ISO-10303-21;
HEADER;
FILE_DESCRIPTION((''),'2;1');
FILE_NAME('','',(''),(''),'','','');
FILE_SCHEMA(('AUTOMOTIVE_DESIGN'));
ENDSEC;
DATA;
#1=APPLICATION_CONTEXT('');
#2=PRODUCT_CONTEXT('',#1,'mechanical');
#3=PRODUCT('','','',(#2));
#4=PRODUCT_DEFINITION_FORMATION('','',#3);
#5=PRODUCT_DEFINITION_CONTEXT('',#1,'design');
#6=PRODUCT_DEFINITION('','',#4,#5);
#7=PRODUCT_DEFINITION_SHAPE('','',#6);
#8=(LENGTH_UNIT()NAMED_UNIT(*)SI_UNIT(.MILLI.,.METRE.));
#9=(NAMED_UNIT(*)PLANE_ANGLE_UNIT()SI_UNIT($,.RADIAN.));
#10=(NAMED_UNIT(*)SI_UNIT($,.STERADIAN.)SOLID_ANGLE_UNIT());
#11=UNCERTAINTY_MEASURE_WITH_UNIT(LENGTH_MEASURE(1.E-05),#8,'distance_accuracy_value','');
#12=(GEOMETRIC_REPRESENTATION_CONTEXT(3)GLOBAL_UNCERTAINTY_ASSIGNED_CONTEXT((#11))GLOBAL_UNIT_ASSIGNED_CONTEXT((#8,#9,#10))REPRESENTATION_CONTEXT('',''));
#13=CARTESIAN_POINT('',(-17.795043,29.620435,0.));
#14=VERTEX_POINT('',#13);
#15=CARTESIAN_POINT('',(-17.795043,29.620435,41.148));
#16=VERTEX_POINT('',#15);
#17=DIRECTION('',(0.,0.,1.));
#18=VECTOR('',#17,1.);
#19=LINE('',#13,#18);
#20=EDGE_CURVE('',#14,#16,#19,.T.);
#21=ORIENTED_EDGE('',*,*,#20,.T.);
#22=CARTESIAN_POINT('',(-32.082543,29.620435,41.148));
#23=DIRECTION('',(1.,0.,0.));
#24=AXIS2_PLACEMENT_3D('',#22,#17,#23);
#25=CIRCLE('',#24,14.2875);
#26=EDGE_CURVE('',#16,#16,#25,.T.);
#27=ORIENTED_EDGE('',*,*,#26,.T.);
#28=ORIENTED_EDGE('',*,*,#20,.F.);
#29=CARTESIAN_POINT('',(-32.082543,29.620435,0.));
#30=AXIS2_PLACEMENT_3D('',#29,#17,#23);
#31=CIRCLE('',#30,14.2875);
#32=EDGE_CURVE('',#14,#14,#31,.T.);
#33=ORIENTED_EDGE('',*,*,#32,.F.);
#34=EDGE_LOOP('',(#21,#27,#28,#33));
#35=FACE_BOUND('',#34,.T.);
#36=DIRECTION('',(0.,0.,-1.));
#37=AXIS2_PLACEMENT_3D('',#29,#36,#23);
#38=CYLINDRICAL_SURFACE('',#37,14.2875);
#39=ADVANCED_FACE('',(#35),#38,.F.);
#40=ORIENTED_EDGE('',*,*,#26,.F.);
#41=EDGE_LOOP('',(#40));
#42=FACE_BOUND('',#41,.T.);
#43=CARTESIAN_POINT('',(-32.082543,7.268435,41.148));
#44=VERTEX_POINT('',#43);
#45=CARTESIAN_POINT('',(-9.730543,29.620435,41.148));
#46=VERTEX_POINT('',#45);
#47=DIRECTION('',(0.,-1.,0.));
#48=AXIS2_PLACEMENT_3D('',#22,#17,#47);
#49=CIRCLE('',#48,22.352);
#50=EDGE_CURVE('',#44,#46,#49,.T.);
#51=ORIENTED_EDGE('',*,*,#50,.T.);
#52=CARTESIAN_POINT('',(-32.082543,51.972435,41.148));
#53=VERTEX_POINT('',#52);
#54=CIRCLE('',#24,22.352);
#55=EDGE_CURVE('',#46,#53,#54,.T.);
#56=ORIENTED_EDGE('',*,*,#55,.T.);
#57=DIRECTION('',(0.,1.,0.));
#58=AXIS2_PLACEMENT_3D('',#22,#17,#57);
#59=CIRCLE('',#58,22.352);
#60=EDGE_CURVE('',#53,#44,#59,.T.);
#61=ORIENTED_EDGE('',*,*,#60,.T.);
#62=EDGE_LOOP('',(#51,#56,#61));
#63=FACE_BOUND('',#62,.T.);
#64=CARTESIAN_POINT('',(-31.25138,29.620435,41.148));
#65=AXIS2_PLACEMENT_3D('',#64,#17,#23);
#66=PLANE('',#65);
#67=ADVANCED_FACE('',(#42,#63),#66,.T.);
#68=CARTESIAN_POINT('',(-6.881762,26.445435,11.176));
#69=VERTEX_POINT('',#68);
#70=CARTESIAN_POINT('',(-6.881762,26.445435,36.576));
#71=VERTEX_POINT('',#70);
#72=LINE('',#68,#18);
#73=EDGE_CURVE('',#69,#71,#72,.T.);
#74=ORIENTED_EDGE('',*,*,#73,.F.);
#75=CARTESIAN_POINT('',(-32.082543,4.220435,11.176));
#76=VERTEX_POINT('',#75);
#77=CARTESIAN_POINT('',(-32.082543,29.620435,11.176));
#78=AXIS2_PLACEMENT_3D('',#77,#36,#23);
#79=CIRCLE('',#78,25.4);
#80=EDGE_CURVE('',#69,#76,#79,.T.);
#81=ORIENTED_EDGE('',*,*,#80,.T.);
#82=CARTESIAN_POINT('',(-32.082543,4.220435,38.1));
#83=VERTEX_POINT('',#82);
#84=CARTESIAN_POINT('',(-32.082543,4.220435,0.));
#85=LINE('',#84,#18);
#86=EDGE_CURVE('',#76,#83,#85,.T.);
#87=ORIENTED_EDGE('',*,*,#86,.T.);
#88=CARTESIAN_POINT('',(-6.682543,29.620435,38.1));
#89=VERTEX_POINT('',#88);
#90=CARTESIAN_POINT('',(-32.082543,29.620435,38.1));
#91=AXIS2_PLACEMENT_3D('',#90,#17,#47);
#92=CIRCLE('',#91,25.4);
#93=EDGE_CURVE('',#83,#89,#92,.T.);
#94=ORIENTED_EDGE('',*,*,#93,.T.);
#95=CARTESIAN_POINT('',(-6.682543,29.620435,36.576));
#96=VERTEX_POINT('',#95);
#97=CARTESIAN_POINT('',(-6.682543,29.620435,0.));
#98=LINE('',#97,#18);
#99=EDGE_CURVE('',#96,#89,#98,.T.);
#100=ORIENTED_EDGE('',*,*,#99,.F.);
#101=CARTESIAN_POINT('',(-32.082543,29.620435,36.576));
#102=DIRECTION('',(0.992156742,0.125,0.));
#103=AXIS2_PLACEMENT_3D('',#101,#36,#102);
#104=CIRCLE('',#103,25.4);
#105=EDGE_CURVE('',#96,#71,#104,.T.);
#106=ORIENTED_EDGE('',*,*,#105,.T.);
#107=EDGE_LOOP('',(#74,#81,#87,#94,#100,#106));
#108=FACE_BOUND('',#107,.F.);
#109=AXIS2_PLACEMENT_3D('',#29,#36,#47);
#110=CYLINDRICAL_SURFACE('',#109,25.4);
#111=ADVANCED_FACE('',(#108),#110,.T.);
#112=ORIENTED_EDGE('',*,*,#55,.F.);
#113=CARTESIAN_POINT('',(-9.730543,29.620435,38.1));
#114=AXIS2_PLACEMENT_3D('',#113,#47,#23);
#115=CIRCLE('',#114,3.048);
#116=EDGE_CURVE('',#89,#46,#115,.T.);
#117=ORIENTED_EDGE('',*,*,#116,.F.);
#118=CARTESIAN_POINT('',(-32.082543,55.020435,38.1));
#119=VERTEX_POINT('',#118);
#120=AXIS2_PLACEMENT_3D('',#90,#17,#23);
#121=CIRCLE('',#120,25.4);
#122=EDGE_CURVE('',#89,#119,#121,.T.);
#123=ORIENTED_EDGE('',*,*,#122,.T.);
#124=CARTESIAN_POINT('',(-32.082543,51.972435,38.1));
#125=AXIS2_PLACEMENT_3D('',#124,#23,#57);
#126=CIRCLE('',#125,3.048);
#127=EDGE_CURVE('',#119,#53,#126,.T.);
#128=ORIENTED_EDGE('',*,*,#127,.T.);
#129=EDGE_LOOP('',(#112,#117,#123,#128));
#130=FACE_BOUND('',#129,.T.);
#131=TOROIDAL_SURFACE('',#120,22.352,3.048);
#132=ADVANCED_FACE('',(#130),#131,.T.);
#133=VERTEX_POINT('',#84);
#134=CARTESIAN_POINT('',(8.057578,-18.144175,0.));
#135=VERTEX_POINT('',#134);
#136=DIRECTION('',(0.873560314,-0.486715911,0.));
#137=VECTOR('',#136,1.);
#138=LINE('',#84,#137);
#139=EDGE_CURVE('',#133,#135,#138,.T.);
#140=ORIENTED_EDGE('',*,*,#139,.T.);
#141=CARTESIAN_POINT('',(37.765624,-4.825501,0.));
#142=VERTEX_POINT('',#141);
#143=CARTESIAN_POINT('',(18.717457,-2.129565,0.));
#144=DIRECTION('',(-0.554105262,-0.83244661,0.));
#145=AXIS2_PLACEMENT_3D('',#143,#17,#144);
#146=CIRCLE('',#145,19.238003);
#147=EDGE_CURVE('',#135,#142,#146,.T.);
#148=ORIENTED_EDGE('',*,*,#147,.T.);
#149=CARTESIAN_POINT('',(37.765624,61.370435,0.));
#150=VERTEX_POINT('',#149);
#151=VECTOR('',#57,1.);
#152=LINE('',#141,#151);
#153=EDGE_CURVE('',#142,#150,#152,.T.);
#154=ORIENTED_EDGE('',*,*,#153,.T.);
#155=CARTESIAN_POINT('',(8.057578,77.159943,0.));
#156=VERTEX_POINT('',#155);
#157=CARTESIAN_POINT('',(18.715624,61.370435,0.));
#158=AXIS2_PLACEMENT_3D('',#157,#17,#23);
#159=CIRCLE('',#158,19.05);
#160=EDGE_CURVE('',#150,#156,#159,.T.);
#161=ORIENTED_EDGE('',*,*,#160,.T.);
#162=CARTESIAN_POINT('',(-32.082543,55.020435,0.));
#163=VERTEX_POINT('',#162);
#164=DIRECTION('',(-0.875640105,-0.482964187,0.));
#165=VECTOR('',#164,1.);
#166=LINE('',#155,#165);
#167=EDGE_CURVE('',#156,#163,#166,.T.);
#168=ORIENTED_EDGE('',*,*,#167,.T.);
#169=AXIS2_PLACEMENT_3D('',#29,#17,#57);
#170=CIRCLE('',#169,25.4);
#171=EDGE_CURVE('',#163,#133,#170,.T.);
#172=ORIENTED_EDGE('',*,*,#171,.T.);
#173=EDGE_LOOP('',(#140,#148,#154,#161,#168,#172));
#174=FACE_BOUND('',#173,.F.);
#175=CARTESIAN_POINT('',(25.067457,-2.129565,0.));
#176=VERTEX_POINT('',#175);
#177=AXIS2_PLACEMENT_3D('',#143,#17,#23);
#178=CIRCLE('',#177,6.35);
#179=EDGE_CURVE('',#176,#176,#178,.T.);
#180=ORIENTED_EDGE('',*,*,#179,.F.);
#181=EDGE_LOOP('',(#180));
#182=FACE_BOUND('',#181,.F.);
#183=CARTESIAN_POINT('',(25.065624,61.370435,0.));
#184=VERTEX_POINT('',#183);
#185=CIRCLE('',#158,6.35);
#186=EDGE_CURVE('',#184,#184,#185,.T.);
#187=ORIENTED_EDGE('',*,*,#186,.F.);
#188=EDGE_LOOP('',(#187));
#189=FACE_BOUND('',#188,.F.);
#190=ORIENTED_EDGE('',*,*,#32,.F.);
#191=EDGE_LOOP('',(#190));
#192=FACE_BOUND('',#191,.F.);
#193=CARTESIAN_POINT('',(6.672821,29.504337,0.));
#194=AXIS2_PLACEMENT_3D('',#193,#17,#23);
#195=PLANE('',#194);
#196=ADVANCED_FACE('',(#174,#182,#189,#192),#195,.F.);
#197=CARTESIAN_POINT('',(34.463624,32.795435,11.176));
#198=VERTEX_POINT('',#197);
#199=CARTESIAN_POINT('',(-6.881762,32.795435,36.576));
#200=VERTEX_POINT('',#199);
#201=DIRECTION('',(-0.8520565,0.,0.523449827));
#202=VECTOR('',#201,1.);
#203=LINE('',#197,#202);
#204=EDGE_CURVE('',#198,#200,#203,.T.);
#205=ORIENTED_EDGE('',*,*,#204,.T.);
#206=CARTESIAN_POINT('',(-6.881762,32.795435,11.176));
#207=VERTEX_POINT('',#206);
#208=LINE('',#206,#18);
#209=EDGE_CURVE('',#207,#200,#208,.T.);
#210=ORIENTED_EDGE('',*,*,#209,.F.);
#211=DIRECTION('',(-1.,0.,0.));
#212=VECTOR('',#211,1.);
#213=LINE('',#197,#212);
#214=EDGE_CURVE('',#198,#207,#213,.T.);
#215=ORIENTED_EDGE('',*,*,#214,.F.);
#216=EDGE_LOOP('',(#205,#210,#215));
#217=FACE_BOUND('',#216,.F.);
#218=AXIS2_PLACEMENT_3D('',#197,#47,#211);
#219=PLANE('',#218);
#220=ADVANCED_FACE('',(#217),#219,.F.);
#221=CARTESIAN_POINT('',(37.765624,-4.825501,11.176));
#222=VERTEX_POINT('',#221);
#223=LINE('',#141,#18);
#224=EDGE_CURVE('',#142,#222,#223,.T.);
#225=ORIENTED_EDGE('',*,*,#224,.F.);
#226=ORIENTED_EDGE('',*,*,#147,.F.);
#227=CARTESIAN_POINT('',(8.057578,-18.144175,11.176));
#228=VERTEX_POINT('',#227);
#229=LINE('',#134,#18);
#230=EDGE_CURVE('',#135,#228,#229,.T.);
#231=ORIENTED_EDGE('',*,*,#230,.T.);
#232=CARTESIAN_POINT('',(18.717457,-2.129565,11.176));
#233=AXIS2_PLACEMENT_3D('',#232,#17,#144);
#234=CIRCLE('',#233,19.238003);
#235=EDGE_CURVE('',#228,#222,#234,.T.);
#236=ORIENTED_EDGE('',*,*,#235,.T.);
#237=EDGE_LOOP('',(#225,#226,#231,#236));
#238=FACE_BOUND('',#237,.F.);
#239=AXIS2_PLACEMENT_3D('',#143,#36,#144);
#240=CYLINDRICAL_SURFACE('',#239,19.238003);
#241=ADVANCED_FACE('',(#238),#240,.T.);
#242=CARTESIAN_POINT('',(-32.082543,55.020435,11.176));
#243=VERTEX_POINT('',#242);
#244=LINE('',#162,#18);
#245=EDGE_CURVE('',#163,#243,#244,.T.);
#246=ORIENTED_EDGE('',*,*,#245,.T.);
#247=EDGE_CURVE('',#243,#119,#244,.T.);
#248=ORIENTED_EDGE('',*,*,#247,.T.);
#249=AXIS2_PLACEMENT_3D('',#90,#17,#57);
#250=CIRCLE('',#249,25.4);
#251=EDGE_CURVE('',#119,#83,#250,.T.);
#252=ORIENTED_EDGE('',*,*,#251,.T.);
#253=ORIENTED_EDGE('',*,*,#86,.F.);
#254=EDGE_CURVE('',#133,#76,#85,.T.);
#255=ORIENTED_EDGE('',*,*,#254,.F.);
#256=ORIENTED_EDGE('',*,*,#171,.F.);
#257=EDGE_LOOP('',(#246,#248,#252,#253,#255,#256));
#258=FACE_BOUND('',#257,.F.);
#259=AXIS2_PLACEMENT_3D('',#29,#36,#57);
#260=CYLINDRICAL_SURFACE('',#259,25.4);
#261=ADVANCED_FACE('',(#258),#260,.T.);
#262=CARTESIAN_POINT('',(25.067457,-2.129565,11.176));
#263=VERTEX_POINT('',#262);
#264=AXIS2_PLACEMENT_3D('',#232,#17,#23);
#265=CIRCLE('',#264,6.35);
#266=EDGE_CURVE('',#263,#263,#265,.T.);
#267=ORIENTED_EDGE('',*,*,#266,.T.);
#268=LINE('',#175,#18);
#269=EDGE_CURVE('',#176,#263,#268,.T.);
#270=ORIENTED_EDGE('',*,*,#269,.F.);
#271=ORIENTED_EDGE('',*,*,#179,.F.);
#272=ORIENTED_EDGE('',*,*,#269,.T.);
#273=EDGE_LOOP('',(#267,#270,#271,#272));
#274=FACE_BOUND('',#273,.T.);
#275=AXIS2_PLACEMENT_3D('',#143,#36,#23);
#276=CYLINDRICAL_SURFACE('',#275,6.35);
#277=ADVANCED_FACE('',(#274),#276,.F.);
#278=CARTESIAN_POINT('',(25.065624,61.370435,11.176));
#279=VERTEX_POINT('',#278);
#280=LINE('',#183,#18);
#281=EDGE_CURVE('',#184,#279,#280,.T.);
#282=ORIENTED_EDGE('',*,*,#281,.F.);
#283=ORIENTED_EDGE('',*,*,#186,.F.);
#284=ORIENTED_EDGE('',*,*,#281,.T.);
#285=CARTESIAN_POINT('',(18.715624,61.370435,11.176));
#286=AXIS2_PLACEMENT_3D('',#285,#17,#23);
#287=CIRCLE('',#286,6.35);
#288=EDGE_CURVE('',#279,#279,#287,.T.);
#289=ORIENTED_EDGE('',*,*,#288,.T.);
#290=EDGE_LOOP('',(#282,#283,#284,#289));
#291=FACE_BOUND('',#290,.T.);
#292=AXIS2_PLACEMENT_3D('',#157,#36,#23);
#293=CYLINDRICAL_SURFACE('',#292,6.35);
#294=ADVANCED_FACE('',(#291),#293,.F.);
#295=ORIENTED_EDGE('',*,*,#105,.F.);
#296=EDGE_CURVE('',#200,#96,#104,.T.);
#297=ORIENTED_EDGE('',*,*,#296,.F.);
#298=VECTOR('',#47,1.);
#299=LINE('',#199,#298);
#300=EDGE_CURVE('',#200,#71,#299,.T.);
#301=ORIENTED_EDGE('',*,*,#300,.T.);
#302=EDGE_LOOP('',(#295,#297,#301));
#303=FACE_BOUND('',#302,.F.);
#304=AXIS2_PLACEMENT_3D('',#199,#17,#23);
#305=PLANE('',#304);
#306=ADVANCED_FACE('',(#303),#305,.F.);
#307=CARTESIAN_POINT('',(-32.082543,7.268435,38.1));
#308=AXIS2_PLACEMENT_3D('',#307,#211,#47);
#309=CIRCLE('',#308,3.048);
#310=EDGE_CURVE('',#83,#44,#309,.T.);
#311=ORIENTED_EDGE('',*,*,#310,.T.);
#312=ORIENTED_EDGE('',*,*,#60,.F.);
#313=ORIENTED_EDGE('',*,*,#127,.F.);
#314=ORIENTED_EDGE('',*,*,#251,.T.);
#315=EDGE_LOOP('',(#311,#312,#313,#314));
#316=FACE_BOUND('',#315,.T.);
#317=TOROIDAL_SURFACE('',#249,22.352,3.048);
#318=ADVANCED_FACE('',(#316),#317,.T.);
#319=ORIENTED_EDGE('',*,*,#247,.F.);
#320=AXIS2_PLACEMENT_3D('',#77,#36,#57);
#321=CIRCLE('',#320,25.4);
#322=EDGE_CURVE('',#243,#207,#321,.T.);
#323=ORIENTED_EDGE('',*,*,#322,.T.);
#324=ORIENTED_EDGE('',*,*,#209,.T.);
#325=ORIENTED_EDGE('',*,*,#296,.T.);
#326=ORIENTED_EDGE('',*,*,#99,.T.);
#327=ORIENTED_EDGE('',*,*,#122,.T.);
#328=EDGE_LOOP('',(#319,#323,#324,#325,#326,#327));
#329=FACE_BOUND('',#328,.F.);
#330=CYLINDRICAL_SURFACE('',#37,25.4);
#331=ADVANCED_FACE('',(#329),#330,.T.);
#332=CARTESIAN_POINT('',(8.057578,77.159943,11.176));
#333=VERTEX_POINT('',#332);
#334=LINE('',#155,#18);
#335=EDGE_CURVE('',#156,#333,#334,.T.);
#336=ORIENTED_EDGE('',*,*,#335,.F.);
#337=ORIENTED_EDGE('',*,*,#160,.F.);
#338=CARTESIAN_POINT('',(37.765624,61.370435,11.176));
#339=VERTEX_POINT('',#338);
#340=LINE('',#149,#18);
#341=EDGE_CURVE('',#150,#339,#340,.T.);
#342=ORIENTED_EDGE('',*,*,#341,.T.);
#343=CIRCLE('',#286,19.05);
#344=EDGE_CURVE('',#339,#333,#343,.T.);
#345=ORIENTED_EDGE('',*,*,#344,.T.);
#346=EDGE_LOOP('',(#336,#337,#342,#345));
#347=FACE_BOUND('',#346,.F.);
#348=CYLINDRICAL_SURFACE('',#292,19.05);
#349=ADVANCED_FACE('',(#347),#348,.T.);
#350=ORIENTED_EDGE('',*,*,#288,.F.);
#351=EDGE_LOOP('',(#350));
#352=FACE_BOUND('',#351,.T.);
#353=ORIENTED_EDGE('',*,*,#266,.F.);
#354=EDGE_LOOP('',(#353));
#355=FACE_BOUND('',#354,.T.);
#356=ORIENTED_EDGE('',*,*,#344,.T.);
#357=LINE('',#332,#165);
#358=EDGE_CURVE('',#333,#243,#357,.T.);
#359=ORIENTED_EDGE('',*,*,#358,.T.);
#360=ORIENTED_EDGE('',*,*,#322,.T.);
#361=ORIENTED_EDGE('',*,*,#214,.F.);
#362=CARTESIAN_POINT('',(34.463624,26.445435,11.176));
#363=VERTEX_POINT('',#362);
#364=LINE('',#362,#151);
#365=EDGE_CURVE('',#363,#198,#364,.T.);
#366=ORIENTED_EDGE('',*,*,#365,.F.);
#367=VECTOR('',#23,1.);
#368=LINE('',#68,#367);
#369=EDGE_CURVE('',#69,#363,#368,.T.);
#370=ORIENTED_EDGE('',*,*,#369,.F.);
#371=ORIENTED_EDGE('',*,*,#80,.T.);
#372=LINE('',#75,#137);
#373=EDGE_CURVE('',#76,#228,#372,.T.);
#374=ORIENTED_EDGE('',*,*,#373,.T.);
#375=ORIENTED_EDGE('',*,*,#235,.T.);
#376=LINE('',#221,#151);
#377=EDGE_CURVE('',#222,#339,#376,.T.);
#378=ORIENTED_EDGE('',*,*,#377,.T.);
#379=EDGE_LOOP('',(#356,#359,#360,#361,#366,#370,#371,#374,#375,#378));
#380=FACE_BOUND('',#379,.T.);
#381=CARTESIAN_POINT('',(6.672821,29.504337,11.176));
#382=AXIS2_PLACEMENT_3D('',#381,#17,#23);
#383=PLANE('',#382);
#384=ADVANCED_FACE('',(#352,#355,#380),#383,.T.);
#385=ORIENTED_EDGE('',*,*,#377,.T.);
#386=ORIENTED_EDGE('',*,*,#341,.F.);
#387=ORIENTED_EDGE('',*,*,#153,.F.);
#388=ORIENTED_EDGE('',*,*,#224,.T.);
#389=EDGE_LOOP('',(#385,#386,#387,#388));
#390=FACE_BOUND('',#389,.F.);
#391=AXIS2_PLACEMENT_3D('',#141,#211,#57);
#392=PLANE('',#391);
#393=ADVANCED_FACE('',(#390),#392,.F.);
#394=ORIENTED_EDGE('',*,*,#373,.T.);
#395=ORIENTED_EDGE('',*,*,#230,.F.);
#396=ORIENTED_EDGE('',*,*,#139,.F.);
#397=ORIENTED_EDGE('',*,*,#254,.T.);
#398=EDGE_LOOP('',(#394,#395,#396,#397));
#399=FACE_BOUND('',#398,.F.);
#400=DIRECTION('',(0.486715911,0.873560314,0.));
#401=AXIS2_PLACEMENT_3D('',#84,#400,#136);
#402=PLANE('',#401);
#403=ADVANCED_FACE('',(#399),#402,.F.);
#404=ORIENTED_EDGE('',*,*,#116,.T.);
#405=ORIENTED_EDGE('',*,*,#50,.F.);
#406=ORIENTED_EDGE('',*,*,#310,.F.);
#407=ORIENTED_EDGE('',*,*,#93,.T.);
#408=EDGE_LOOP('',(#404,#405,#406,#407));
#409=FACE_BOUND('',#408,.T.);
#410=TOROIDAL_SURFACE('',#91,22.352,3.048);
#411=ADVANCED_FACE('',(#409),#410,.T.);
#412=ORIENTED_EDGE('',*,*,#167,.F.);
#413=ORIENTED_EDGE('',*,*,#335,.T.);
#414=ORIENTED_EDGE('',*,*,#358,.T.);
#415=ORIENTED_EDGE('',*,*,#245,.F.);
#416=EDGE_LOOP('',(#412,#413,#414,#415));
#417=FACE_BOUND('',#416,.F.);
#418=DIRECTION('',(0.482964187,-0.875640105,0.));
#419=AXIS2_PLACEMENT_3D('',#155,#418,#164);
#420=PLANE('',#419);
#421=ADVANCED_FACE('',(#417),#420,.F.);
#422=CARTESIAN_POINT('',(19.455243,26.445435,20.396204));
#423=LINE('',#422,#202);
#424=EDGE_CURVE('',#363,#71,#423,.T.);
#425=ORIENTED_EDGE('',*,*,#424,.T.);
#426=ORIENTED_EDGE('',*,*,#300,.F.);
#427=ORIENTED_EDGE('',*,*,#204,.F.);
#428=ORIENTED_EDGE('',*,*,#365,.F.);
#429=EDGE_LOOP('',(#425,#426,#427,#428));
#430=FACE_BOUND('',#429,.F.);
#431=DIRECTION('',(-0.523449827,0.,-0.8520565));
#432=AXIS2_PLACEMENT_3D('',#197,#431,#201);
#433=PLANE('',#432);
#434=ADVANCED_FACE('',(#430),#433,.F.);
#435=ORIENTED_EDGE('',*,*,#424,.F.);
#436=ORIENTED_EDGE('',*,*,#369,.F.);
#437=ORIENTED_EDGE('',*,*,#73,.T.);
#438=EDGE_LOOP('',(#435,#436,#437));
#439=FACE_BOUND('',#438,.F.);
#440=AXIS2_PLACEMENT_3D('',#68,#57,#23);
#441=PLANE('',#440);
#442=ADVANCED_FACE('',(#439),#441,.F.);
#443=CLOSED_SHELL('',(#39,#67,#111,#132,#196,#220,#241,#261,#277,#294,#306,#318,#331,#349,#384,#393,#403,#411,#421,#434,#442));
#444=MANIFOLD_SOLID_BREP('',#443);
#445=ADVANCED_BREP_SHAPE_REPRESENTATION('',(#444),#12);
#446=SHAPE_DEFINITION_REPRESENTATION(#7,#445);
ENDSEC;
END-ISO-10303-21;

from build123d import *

# Parameters (mm, degrees)
F0_R     = 14.2875
F1_DEPTH = 41.148
F0_R_2   = 6.35
F2_DEPTH = 11.176
F3_R     = 3.048
F5_DEPTH = 25.4
F7_DEPTH = 54.1640026378


with BuildPart() as f1:
    # F0 (on Top) → F1 (new body)
    with BuildSketch(Plane.XY):
        with BuildLine():
            ThreePointArc((-32.0825431228, 4.2204351945), (-14.1220308807, 11.6599229523), (-6.6825431228, 29.6204351945))
            ThreePointArc((-6.6825431228, 29.6204351945), (-14.1220308807, 47.5809474366), (-32.0825431228, 55.0204351945))
            ThreePointArc((-32.0825431228, 55.0204351945), (-57.4825431228, 29.6204351945), (-32.0825431228, 4.2204351945))
        make_face()
        with Locations((-32.0825431228, 29.6204351945)):
            Circle(F0_R, mode=Mode.SUBTRACT)
    extrude(amount=F1_DEPTH)

    # F0 (on Top) → F2 (join)
    with BuildSketch(Plane.XY):
        with BuildLine():
            ThreePointArc((-32.0825431228, 55.0204351945), (-14.1220308807, 47.5809474366), (-6.6825431228, 29.6204351945))
            ThreePointArc((-6.6825431228, 29.6204351945), (-14.1220308807, 11.6599229523), (-32.0825431228, 4.2204351945))
            Line((-32.0825431228, 4.2204351945), (8.057578387, -18.1441748871))
            ThreePointArc((8.057578387, -18.1441748871), (26.5875021064, -19.6841406643), (37.7656240054, -4.8255014786))
            Line((37.7656240054, -4.8255014786), (37.7656240054, 61.3704351945))
            ThreePointArc((37.7656240054, 61.3704351945), (27.6561701568, 78.1921216294), (8.057578387, 77.159943217))
            Line((8.057578387, 77.159943217), (-32.0825431228, 55.0204351945))
        make_face()
        with Locations((18.7174568772, -2.1295648055)):
            Circle(F0_R_2, mode=Mode.SUBTRACT)
        with Locations((18.7156240054, 61.3704351945)):
            Circle(F0_R_2, mode=Mode.SUBTRACT)
    extrude(amount=F2_DEPTH)

    # F3
    f3_edges = [f1.edges().sort_by_distance(p)[0] for p in [
        (-32.082543, 4.220435, 41.148),
    ]]
    fillet(f3_edges, radius=F3_R)

    # F4 (on face) → F5 (join)
    with BuildSketch(Plane.XY.offset(11.176)):
        with BuildLine():
            Line((34.4636240054, 26.4454351945), (34.4636240054, 32.7954351945))
            Line((34.4636240054, 32.7954351945), (-6.8817618849, 32.7954351945))
            ThreePointArc((-6.8817618849, 32.7954351945), (-6.6825431228, 29.6204351945), (-6.8817618849, 26.4454351945))
            Line((-6.8817618849, 26.4454351945), (34.4636240054, 26.4454351945))
        make_face()
    extrude(amount=F5_DEPTH)

    # F6 (on face) → F7 (cut, through all)
    with BuildSketch(Plane(origin=(0, 32.7954351945, 0), x_dir=(-1, 0, 0), z_dir=(0, 1, 0))):
        Polygon((-34.4636240054, 11.176), (6.8817618849, 36.576), (-34.4636240054, 36.576), align=None)
    extrude(amount=-F7_DEPTH, mode=Mode.SUBTRACT)


solid = f1.part
